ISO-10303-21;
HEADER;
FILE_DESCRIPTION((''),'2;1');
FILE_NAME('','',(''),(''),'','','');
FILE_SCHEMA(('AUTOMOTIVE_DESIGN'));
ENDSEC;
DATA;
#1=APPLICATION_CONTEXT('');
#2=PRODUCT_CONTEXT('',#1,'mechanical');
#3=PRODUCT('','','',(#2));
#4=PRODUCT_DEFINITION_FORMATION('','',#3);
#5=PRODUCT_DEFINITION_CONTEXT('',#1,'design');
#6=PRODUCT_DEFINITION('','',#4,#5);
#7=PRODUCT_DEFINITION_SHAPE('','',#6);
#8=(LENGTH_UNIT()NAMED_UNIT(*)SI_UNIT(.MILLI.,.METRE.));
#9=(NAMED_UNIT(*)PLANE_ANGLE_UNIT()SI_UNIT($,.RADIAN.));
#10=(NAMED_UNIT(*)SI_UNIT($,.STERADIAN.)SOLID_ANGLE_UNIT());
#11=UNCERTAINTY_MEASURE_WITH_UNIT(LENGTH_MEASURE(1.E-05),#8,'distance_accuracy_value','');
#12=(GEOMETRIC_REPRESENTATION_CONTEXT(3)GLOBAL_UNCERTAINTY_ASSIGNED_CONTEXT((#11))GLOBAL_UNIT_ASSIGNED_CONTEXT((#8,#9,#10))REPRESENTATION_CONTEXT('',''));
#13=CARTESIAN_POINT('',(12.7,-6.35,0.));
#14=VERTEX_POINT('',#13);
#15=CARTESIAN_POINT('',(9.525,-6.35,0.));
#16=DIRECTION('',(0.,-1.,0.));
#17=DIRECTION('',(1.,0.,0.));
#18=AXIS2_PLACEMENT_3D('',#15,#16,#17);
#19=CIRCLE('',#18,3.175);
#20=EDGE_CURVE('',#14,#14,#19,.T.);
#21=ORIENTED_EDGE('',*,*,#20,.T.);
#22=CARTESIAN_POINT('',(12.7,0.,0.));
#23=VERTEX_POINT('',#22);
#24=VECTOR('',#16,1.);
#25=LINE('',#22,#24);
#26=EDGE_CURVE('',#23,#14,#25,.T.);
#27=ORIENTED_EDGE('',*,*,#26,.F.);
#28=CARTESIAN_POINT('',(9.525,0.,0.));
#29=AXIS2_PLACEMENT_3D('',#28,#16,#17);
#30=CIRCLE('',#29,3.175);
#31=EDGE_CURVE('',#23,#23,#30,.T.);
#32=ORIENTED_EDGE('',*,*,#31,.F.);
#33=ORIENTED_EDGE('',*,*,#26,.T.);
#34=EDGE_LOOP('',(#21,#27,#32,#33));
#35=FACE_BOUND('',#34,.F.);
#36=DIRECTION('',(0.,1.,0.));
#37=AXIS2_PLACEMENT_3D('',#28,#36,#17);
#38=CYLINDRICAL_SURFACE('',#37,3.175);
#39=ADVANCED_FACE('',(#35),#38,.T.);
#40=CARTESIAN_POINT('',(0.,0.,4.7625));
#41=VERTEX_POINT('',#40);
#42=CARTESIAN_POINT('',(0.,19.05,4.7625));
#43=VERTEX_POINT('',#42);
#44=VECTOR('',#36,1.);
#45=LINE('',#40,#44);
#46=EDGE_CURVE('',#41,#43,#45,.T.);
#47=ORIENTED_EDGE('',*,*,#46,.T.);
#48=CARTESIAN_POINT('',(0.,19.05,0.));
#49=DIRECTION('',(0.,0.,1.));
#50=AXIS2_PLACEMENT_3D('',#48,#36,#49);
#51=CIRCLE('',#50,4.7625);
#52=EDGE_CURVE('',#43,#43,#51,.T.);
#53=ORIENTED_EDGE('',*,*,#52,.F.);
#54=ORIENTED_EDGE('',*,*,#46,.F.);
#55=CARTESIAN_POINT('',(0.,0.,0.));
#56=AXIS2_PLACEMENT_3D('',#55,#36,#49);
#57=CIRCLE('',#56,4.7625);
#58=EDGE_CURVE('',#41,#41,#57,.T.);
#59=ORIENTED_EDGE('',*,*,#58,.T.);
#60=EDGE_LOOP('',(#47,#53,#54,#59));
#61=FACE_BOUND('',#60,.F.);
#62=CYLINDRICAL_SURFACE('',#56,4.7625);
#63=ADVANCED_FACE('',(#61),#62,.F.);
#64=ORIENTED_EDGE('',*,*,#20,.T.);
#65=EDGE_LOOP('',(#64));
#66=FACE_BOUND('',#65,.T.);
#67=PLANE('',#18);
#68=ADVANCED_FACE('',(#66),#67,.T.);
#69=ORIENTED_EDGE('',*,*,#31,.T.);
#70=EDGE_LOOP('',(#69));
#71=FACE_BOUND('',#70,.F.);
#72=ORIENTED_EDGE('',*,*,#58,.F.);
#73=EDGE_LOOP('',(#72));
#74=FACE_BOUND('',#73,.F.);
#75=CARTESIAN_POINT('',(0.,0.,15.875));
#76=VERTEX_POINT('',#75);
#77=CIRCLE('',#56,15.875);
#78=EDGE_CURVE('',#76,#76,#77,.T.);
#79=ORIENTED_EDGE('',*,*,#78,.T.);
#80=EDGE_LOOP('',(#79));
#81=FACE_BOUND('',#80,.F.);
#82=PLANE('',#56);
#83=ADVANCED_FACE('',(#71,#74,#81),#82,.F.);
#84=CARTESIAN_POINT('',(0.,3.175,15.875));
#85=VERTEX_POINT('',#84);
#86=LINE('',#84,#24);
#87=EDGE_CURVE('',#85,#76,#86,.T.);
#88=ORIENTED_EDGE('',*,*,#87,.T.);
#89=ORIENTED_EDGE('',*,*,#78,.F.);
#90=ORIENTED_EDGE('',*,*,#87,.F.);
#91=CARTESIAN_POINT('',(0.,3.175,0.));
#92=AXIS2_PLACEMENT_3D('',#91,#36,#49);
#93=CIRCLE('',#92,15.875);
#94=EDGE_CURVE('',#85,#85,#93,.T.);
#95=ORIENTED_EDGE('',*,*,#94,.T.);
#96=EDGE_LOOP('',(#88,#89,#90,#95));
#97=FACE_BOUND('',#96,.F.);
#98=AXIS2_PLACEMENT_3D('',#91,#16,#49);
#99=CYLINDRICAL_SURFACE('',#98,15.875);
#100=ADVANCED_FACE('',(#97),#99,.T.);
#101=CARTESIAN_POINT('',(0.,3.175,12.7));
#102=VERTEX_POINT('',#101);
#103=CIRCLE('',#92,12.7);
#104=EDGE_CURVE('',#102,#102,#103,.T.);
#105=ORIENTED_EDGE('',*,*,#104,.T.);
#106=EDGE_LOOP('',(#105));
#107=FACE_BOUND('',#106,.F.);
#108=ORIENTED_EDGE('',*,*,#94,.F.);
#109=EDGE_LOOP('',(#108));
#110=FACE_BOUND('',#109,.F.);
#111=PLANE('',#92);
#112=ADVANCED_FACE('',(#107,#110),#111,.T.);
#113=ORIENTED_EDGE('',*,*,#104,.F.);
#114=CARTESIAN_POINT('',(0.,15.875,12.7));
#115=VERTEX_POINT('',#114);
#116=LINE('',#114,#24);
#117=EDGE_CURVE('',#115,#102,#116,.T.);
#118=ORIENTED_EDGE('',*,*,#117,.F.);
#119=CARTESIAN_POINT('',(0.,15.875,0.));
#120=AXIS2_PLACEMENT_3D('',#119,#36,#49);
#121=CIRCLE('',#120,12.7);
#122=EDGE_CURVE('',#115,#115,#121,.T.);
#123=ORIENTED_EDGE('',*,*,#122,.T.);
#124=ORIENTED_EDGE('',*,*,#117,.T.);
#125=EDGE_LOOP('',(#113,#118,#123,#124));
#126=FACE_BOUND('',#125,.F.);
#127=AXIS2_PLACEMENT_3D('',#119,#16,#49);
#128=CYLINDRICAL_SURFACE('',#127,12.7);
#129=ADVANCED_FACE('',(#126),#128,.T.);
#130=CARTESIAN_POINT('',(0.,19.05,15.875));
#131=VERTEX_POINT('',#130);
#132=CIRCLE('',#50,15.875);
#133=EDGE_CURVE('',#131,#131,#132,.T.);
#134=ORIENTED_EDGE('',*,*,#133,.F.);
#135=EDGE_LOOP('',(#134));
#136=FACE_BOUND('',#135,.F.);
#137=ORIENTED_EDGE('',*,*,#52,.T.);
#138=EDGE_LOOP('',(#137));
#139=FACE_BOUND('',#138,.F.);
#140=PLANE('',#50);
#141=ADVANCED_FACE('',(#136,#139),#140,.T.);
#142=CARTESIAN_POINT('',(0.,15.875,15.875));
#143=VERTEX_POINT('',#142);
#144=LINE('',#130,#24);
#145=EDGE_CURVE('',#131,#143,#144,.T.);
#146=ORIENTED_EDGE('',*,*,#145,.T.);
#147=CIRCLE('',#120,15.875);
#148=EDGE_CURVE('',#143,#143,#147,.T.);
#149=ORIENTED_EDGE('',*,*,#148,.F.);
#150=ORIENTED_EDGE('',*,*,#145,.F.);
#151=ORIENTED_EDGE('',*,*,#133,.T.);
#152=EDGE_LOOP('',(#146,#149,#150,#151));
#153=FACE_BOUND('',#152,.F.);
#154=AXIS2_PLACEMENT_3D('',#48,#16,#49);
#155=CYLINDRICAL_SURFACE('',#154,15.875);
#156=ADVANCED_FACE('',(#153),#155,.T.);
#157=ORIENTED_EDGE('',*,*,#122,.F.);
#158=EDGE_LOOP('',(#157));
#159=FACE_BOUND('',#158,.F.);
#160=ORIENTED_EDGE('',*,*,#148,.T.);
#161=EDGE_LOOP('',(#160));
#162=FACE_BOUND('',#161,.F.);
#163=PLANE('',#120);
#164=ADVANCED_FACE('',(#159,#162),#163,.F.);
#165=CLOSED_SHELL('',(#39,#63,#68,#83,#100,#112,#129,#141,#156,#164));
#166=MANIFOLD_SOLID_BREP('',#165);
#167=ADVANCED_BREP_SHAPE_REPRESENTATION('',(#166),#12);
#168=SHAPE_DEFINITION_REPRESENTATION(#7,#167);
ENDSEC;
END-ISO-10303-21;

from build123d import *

# Parameters (mm, degrees)
F2_R     = 3.175
F3_DEPTH = 6.35


with BuildPart() as f1:
    # F0 (on Right) → F1 (revolve)
    with BuildSketch(Plane.YZ):
        Polygon((0, 15.875), (0, 4.7625), (19.05, 4.7625), (19.05, 15.875), (15.875, 15.875), (15.875, 12.7), (3.175, 12.7), (3.175, 15.875), align=None)
    revolve(axis=Axis((0, 15.145027, 0), (0, 1, 0)))

    # F2 (on Front) → F3 (join)
    with BuildSketch(Plane.XZ):
        with Locations((9.525, 0)):
            Circle(F2_R)
    extrude(amount=F3_DEPTH)


solid = f1.part
